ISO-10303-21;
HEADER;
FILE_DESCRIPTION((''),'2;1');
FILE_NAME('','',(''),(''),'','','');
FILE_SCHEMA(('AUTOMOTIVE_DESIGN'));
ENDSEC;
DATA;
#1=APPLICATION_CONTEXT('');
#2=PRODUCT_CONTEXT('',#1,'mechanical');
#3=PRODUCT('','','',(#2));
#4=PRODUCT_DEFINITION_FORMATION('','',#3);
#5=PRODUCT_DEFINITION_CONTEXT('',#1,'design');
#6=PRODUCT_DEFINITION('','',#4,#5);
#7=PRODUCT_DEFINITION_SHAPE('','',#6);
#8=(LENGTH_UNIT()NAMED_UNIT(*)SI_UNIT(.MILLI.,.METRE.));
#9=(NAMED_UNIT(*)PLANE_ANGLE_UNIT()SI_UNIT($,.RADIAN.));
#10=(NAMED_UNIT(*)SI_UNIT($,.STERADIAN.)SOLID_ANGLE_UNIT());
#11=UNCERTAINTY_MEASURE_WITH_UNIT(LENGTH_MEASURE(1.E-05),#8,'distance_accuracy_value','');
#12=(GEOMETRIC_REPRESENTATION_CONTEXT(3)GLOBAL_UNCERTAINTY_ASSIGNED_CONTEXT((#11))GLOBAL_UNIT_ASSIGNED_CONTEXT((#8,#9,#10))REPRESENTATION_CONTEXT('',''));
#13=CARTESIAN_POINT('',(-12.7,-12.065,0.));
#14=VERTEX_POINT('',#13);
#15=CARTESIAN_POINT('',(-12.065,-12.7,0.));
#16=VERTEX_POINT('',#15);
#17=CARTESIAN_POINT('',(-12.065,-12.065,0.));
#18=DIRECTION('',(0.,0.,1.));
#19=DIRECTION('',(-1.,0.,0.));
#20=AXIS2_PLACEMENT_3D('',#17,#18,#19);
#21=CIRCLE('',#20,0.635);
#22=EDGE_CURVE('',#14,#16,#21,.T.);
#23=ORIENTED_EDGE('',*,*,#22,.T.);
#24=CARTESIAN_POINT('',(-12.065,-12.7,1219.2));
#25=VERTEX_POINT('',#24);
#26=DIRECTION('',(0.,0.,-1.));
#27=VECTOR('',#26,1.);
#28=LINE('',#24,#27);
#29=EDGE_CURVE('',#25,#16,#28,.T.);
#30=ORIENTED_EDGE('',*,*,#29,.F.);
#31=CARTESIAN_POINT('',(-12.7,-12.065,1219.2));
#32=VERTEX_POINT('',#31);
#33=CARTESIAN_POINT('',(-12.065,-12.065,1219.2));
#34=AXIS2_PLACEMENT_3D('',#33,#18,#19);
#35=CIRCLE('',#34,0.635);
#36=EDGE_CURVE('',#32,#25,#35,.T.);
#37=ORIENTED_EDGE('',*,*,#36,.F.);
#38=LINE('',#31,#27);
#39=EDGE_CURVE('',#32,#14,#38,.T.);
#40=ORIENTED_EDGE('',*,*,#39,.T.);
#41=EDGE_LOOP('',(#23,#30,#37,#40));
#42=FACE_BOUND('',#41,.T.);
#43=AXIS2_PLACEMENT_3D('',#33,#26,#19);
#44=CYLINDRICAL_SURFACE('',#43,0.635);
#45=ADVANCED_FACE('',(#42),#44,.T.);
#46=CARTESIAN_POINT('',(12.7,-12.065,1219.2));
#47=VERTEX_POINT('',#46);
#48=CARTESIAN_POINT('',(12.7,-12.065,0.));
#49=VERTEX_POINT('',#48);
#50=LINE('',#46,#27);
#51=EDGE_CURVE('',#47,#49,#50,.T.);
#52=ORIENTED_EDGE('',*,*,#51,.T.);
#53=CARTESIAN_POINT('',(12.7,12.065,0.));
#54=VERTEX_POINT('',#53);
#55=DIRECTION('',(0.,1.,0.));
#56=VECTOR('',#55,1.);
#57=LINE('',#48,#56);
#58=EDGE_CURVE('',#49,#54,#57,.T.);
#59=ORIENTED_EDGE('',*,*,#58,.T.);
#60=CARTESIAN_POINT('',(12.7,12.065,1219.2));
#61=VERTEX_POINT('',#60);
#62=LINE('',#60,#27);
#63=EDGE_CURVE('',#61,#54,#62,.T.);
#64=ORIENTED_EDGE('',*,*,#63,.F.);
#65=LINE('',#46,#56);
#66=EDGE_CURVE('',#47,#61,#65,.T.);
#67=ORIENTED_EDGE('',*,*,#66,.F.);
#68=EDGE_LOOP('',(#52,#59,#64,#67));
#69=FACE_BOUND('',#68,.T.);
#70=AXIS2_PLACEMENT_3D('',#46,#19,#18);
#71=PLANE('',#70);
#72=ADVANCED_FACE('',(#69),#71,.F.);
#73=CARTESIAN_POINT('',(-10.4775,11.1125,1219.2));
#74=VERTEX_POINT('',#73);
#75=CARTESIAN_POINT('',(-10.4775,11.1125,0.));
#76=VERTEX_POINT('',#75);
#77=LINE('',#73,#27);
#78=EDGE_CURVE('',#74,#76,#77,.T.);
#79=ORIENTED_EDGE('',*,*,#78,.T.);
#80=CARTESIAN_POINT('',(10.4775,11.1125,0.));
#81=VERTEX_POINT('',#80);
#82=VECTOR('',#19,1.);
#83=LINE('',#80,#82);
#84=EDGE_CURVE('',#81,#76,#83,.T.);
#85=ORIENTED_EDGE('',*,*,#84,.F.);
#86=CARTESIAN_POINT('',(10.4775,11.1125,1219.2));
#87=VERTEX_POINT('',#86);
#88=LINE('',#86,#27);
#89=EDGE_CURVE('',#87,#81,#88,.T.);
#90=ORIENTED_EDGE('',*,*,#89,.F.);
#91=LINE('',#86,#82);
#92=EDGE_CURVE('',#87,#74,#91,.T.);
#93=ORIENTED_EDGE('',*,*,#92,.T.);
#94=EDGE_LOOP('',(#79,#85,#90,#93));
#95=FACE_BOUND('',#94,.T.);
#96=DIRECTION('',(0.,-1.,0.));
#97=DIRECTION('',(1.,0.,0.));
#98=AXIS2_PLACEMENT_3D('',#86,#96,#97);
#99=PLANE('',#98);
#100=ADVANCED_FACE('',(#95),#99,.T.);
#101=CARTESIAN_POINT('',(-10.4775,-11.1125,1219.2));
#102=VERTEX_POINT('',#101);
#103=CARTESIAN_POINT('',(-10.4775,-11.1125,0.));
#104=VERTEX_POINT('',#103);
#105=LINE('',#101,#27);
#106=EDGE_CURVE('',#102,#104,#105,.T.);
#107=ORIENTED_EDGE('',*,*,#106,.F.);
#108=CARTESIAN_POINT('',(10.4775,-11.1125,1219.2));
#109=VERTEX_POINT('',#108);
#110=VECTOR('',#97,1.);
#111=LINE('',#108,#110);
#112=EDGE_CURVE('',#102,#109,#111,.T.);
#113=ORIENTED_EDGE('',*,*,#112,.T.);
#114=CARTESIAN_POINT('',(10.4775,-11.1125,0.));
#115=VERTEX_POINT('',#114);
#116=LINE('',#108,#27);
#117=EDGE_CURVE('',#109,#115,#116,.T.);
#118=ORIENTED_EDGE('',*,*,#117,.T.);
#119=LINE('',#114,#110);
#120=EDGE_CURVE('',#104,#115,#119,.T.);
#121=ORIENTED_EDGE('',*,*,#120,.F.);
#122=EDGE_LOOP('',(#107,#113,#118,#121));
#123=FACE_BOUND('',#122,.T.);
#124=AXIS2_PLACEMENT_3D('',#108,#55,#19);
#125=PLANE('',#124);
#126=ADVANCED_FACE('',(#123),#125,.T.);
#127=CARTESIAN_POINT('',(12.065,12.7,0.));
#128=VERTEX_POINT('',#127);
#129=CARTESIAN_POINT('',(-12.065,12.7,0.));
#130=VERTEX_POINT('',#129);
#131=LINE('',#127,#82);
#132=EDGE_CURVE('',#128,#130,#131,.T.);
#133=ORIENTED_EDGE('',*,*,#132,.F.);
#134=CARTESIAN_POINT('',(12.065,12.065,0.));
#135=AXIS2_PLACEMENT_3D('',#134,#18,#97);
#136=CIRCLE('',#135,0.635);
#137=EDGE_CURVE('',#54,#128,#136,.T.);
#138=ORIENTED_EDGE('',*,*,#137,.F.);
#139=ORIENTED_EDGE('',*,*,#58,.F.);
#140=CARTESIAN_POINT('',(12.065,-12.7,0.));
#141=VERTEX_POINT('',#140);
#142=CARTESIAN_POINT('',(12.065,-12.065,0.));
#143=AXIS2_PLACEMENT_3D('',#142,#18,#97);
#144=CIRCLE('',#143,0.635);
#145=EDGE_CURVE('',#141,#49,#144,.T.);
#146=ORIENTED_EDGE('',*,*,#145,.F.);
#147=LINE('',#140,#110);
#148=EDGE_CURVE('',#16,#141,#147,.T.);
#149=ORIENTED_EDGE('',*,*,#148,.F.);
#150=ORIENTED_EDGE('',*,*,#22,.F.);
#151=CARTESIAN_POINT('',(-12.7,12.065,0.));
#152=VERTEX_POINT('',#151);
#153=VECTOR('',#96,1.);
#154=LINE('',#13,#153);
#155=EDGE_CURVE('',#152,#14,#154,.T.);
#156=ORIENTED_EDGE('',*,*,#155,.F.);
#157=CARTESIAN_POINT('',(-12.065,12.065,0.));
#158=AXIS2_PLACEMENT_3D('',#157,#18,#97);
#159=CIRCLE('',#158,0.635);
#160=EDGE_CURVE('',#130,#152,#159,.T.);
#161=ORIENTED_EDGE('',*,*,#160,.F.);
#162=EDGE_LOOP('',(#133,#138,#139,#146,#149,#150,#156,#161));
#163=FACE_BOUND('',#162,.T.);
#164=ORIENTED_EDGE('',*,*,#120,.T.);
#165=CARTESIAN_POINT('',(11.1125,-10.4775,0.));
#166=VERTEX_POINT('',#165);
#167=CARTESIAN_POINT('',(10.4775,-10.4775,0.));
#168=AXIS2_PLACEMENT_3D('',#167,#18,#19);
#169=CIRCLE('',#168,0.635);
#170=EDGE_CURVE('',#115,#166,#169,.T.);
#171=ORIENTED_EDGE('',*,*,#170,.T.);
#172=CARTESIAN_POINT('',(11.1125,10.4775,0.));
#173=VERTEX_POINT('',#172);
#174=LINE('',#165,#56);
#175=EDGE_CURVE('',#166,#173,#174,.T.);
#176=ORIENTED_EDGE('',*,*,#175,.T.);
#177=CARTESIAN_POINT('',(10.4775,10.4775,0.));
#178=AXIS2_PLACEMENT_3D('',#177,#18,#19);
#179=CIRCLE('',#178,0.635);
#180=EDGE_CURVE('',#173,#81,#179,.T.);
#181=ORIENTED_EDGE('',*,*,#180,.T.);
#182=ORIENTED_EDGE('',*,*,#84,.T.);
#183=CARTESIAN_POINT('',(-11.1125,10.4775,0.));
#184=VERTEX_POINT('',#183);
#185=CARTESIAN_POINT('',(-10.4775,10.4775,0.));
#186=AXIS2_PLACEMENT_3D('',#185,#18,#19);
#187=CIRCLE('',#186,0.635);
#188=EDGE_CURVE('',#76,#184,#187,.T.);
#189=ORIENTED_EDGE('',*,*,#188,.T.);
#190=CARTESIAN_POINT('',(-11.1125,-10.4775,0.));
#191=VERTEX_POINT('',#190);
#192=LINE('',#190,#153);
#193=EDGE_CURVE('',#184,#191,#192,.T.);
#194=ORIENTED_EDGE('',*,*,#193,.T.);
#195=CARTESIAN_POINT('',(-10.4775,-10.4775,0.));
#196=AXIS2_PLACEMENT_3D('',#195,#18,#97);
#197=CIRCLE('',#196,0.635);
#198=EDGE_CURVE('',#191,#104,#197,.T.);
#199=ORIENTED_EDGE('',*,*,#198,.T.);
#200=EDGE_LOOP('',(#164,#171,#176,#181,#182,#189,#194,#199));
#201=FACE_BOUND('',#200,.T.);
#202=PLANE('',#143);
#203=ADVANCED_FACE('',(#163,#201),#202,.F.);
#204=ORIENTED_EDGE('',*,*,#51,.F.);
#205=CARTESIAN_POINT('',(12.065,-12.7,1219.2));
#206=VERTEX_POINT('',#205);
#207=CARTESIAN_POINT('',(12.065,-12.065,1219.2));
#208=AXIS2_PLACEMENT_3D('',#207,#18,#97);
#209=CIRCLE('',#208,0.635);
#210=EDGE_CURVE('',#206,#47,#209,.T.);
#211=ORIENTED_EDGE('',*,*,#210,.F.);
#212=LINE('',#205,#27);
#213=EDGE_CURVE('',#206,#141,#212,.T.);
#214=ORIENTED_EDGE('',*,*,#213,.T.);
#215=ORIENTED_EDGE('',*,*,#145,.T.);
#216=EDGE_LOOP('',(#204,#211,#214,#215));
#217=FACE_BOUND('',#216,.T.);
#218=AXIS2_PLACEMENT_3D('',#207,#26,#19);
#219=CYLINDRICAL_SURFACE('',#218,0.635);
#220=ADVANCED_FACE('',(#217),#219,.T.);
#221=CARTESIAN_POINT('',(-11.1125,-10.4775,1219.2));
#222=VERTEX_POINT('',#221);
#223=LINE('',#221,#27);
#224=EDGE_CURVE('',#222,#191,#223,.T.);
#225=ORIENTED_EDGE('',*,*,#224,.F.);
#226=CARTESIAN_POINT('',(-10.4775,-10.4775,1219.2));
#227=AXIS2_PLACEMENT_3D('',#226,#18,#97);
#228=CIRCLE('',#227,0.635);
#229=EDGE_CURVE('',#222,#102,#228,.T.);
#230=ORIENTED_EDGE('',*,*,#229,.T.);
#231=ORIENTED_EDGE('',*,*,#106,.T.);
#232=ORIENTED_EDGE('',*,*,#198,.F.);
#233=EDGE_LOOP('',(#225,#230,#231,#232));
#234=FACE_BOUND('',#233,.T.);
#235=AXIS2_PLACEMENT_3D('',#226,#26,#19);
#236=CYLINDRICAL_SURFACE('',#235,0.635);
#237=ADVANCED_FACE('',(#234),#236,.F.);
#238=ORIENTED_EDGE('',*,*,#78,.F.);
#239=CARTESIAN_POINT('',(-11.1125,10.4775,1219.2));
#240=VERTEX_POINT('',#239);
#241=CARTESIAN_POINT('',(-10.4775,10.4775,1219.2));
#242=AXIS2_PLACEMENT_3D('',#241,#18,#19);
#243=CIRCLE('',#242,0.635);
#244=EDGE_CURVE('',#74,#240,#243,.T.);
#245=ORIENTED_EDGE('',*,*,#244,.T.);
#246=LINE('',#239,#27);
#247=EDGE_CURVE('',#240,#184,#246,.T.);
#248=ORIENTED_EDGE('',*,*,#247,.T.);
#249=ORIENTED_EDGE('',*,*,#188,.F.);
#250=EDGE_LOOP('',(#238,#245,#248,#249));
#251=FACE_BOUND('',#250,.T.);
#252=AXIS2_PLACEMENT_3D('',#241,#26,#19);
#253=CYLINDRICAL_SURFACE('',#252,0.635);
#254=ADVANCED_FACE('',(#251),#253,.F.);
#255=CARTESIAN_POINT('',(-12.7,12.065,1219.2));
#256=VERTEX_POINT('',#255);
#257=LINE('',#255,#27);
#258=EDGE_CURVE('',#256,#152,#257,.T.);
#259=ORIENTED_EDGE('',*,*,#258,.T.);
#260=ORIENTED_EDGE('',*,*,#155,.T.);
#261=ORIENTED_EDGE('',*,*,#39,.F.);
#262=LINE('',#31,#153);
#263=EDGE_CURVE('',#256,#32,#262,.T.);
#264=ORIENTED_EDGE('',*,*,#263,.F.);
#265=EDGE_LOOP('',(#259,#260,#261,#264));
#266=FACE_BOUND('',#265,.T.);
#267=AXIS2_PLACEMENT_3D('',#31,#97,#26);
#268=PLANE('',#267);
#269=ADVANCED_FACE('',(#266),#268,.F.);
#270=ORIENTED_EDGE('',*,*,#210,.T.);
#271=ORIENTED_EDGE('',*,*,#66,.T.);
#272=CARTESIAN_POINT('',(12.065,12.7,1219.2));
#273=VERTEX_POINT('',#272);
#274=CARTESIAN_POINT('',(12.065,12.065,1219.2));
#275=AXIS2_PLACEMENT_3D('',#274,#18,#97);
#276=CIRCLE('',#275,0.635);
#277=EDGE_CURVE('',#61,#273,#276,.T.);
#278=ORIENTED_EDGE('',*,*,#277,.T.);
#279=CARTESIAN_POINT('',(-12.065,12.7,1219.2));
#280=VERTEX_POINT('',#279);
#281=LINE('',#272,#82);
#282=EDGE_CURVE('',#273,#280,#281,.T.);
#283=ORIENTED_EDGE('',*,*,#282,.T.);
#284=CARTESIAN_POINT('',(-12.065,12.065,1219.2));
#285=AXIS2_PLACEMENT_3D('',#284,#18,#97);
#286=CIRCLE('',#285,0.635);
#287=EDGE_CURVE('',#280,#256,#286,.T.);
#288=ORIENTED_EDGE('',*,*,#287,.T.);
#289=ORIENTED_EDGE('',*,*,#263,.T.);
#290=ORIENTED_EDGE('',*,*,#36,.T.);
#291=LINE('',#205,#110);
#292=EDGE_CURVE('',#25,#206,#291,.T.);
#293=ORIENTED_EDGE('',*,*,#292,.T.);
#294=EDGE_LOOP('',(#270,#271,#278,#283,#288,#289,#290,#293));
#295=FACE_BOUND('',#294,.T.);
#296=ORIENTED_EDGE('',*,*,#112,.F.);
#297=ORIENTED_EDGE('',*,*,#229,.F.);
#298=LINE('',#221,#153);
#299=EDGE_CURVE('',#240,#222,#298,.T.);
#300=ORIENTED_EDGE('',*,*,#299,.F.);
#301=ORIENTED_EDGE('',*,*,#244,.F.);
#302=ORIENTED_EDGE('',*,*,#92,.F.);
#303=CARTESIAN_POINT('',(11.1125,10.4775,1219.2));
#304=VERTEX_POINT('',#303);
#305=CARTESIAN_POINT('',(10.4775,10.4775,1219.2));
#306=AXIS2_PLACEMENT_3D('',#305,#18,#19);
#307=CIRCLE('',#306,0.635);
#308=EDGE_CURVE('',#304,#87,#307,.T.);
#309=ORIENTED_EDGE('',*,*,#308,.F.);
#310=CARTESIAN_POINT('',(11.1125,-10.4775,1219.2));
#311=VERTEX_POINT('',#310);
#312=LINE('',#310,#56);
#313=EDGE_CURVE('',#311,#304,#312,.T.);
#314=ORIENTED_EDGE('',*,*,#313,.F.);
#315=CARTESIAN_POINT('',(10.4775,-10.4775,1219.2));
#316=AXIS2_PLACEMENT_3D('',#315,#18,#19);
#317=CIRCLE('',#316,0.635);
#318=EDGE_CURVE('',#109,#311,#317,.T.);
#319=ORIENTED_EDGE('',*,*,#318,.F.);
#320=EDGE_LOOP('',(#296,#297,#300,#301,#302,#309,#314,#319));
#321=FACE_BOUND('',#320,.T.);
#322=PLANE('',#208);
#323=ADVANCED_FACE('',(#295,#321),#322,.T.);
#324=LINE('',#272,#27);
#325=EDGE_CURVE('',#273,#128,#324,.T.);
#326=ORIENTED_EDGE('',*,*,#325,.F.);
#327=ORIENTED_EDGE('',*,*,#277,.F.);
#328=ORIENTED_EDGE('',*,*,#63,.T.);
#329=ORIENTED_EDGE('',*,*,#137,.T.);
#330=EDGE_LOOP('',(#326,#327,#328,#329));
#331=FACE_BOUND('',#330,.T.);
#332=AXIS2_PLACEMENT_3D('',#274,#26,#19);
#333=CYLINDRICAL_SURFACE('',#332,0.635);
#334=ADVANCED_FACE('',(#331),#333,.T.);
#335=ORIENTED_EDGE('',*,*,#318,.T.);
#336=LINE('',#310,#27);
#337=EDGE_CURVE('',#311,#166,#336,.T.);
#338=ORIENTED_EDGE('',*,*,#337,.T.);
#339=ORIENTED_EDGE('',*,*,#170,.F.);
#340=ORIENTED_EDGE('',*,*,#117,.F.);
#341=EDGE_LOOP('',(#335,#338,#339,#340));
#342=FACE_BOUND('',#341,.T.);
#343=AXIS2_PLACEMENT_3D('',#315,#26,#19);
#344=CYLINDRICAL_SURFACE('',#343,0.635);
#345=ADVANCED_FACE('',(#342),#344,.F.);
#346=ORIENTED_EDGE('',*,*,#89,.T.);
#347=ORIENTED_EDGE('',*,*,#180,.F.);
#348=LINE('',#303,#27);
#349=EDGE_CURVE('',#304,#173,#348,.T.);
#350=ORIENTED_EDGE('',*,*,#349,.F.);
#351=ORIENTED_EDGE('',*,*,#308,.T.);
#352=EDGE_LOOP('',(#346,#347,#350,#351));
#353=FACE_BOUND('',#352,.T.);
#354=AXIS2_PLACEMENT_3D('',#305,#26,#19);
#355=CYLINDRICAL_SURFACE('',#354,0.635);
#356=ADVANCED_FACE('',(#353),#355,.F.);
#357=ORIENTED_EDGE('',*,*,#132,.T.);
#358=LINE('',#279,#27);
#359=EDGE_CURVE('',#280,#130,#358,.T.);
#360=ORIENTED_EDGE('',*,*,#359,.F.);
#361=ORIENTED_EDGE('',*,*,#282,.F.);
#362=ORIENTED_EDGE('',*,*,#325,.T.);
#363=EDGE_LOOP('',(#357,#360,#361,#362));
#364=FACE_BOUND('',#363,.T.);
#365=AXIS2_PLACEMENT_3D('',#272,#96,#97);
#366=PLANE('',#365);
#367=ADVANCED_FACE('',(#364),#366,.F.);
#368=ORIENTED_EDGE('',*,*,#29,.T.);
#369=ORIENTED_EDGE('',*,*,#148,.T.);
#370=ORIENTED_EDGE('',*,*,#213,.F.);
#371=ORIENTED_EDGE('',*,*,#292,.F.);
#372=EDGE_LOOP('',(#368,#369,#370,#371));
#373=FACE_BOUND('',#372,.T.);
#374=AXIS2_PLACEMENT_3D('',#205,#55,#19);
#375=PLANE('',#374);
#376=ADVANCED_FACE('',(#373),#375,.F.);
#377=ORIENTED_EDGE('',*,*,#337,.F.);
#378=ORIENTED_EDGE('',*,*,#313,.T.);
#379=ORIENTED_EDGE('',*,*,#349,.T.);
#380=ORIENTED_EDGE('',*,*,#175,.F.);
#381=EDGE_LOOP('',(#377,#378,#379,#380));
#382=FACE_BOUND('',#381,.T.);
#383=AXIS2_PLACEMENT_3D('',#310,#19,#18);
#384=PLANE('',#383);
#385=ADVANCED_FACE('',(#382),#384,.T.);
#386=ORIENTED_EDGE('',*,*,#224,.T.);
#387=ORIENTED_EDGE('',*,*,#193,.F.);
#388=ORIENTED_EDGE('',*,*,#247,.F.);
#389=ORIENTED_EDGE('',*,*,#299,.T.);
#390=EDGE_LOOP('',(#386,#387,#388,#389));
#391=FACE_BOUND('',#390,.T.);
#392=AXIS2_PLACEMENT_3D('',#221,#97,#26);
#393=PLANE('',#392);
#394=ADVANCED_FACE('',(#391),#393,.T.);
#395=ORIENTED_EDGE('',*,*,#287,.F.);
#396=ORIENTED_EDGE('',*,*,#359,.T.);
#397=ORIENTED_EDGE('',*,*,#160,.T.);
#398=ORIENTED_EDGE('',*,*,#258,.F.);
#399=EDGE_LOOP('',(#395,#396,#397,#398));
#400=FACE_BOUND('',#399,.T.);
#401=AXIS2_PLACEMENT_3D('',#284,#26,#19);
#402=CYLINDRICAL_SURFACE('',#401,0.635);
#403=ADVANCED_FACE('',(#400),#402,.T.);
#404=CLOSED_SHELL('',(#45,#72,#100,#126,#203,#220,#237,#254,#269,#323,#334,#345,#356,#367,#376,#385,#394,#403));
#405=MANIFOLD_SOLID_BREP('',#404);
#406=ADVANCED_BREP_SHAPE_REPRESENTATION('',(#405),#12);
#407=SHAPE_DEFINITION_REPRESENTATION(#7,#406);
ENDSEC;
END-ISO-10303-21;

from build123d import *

# Parameters (mm, degrees)
SQUARE_TUBE_1_INCH_SQUARE_0_0625_THICK_1_DEPTH = 1219.2


with BuildPart() as part:
    # Sketch2 → Square tube 1 INCH SQUARE 0.0625 THICK(1) (new body)
    with BuildSketch(Plane.XY):
        with BuildLine():
            Line((12.065, -12.7), (-12.065, -12.7))
            ThreePointArc((-12.065, -12.7), (-12.514012806, -12.514012806), (-12.7, -12.065))
            Line((-12.7, -12.065), (-12.7, 12.065))
            ThreePointArc((-12.7, 12.065), (-12.514012806, 12.514012806), (-12.065, 12.7))
            Line((-12.065, 12.7), (12.065, 12.7))
            ThreePointArc((12.065, 12.7), (12.514012806, 12.514012806), (12.7, 12.065))
            Line((12.7, 12.065), (12.7, -12.065))
            ThreePointArc((12.7, -12.065), (12.514012806, -12.514012806), (12.065, -12.7))
        make_face()
        with BuildLine():
            Line((-11.1125, -10.4775), (-11.1125, 10.4775))
            ThreePointArc((-11.1125, 10.4775), (-10.926512806, 10.926512806), (-10.4775, 11.1125))
            Line((-10.4775, 11.1125), (10.4775, 11.1125))
            ThreePointArc((10.4775, 11.1125), (10.926512806, 10.926512806), (11.1125, 10.4775))
            Line((11.1125, 10.4775), (11.1125, -10.4775))
            ThreePointArc((11.1125, -10.4775), (10.926512806, -10.926512806), (10.4775, -11.1125))
            Line((10.4775, -11.1125), (-10.4775, -11.1125))
            ThreePointArc((-10.4775, -11.1125), (-10.926512806, -10.926512806), (-11.1125, -10.4775))
        make_face(mode=Mode.SUBTRACT)
    extrude(amount=SQUARE_TUBE_1_INCH_SQUARE_0_0625_THICK_1_DEPTH)


solid = part.part
